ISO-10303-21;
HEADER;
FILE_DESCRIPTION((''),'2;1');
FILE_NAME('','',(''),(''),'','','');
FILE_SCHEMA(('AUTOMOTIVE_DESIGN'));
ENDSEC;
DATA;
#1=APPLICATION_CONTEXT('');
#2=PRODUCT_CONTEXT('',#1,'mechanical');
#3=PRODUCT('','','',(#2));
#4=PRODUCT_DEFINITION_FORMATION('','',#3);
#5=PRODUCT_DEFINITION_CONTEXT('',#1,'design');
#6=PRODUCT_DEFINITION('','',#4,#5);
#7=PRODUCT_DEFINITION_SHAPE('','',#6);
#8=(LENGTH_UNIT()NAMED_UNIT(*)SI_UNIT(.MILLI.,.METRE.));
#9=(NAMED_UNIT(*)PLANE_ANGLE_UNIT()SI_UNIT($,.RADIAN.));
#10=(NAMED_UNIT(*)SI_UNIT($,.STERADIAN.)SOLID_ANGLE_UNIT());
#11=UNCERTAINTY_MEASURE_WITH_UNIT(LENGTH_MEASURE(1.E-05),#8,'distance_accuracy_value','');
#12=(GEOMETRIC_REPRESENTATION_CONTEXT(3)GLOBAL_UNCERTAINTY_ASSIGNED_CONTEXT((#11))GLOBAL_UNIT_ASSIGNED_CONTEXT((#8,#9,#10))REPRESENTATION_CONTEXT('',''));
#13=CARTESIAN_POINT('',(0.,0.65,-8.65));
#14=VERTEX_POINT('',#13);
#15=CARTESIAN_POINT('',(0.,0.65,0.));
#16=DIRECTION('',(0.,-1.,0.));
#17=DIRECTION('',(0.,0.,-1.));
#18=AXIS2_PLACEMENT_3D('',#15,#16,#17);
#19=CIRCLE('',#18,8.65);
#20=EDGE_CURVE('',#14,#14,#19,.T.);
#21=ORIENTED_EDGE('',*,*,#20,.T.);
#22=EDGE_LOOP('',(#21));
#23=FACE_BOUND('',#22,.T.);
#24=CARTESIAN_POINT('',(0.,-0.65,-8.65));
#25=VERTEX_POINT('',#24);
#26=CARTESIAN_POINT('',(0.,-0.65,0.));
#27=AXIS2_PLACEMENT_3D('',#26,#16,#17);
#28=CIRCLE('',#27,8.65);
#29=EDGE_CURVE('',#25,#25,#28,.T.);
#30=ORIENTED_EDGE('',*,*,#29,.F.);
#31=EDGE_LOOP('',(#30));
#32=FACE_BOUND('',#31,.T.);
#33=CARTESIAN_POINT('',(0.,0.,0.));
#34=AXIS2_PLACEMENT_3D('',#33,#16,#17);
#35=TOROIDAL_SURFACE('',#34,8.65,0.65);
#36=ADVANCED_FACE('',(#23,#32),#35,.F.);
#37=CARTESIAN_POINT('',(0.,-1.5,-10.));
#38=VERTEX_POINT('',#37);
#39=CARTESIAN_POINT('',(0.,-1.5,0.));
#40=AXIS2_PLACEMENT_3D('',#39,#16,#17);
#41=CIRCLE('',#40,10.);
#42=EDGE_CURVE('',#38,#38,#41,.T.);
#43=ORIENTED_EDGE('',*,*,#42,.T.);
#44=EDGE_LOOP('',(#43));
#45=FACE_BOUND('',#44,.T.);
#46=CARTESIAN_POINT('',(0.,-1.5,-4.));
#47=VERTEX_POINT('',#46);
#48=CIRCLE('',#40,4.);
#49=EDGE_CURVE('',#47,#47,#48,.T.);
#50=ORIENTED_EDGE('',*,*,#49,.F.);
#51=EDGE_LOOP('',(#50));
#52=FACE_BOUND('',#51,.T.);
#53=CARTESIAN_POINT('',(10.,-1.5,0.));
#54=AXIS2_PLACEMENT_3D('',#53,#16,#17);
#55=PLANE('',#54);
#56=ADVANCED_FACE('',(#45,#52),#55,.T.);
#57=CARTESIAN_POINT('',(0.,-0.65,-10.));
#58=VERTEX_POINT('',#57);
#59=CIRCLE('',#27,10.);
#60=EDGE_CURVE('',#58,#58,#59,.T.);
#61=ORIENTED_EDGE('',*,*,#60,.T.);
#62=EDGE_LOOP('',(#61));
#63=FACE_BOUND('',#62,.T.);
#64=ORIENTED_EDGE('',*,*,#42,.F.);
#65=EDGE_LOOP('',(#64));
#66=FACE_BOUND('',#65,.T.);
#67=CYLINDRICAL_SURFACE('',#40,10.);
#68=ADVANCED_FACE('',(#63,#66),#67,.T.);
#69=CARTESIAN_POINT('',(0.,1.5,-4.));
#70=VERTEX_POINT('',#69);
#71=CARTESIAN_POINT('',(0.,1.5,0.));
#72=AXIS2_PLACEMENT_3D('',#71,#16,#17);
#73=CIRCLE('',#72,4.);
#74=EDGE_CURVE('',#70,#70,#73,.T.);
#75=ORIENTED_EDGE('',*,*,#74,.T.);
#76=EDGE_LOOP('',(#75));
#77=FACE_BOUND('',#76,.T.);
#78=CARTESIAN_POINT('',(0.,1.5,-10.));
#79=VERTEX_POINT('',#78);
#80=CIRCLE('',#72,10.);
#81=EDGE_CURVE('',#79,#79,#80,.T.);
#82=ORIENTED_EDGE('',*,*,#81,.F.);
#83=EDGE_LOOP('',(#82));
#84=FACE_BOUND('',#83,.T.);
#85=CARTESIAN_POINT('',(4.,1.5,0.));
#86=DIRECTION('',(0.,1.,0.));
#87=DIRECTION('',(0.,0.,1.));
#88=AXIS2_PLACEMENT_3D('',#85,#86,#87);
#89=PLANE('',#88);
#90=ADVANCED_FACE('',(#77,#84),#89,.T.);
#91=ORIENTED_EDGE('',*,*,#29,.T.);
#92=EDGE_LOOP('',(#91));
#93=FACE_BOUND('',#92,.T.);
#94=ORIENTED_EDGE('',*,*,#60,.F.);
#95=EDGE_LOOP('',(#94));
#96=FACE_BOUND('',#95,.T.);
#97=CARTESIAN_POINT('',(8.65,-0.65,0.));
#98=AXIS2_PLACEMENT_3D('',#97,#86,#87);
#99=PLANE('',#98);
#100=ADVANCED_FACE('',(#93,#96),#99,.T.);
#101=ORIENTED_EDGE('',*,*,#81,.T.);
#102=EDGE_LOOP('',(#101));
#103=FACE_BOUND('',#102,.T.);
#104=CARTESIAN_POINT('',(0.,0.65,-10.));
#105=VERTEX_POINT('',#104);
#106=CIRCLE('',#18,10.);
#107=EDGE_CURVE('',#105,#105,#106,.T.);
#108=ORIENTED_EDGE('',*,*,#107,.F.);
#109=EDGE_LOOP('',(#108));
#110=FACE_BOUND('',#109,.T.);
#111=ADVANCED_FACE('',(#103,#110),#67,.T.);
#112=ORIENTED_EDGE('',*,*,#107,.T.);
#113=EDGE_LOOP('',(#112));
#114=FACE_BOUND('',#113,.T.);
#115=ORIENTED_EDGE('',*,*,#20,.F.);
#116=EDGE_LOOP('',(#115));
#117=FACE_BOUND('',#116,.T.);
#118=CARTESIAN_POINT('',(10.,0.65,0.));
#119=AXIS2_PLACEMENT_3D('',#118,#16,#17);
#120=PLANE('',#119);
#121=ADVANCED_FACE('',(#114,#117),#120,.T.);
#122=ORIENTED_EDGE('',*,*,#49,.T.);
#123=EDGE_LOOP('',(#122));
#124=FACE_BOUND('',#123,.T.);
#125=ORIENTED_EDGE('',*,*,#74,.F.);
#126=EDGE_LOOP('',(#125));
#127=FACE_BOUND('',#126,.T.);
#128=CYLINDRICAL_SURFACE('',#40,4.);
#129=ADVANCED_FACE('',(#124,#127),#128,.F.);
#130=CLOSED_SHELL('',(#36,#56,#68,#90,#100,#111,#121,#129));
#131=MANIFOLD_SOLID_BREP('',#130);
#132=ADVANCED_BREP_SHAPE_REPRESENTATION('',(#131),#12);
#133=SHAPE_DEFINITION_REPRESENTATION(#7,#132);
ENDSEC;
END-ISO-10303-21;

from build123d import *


with BuildPart() as part:
    # Sketch1 → Revolve1 (revolve)
    with BuildSketch(Plane.XY):
        with BuildLine():
            Line((4, 1.5), (4, -1.5))
            Line((4, -1.5), (8.65, -1.5))
            Line((8.65, -1.5), (10, -1.5))
            Line((10, -1.5), (10, -0.65))
            Line((10, -0.65), (8.65, -0.65))
            ThreePointArc((8.65, -0.65), (8, 0), (8.65, 0.65))
            Line((8.65, 0.65), (10, 0.65))
            Line((10, 0.65), (10, 1.5))
            Line((10, 1.5), (8.65, 1.5))
            Line((8.65, 1.5), (4, 1.5))
        make_face()
    revolve(axis=Axis((0, -1.5, 0), (0, 1, 0)))


solid = part.part
